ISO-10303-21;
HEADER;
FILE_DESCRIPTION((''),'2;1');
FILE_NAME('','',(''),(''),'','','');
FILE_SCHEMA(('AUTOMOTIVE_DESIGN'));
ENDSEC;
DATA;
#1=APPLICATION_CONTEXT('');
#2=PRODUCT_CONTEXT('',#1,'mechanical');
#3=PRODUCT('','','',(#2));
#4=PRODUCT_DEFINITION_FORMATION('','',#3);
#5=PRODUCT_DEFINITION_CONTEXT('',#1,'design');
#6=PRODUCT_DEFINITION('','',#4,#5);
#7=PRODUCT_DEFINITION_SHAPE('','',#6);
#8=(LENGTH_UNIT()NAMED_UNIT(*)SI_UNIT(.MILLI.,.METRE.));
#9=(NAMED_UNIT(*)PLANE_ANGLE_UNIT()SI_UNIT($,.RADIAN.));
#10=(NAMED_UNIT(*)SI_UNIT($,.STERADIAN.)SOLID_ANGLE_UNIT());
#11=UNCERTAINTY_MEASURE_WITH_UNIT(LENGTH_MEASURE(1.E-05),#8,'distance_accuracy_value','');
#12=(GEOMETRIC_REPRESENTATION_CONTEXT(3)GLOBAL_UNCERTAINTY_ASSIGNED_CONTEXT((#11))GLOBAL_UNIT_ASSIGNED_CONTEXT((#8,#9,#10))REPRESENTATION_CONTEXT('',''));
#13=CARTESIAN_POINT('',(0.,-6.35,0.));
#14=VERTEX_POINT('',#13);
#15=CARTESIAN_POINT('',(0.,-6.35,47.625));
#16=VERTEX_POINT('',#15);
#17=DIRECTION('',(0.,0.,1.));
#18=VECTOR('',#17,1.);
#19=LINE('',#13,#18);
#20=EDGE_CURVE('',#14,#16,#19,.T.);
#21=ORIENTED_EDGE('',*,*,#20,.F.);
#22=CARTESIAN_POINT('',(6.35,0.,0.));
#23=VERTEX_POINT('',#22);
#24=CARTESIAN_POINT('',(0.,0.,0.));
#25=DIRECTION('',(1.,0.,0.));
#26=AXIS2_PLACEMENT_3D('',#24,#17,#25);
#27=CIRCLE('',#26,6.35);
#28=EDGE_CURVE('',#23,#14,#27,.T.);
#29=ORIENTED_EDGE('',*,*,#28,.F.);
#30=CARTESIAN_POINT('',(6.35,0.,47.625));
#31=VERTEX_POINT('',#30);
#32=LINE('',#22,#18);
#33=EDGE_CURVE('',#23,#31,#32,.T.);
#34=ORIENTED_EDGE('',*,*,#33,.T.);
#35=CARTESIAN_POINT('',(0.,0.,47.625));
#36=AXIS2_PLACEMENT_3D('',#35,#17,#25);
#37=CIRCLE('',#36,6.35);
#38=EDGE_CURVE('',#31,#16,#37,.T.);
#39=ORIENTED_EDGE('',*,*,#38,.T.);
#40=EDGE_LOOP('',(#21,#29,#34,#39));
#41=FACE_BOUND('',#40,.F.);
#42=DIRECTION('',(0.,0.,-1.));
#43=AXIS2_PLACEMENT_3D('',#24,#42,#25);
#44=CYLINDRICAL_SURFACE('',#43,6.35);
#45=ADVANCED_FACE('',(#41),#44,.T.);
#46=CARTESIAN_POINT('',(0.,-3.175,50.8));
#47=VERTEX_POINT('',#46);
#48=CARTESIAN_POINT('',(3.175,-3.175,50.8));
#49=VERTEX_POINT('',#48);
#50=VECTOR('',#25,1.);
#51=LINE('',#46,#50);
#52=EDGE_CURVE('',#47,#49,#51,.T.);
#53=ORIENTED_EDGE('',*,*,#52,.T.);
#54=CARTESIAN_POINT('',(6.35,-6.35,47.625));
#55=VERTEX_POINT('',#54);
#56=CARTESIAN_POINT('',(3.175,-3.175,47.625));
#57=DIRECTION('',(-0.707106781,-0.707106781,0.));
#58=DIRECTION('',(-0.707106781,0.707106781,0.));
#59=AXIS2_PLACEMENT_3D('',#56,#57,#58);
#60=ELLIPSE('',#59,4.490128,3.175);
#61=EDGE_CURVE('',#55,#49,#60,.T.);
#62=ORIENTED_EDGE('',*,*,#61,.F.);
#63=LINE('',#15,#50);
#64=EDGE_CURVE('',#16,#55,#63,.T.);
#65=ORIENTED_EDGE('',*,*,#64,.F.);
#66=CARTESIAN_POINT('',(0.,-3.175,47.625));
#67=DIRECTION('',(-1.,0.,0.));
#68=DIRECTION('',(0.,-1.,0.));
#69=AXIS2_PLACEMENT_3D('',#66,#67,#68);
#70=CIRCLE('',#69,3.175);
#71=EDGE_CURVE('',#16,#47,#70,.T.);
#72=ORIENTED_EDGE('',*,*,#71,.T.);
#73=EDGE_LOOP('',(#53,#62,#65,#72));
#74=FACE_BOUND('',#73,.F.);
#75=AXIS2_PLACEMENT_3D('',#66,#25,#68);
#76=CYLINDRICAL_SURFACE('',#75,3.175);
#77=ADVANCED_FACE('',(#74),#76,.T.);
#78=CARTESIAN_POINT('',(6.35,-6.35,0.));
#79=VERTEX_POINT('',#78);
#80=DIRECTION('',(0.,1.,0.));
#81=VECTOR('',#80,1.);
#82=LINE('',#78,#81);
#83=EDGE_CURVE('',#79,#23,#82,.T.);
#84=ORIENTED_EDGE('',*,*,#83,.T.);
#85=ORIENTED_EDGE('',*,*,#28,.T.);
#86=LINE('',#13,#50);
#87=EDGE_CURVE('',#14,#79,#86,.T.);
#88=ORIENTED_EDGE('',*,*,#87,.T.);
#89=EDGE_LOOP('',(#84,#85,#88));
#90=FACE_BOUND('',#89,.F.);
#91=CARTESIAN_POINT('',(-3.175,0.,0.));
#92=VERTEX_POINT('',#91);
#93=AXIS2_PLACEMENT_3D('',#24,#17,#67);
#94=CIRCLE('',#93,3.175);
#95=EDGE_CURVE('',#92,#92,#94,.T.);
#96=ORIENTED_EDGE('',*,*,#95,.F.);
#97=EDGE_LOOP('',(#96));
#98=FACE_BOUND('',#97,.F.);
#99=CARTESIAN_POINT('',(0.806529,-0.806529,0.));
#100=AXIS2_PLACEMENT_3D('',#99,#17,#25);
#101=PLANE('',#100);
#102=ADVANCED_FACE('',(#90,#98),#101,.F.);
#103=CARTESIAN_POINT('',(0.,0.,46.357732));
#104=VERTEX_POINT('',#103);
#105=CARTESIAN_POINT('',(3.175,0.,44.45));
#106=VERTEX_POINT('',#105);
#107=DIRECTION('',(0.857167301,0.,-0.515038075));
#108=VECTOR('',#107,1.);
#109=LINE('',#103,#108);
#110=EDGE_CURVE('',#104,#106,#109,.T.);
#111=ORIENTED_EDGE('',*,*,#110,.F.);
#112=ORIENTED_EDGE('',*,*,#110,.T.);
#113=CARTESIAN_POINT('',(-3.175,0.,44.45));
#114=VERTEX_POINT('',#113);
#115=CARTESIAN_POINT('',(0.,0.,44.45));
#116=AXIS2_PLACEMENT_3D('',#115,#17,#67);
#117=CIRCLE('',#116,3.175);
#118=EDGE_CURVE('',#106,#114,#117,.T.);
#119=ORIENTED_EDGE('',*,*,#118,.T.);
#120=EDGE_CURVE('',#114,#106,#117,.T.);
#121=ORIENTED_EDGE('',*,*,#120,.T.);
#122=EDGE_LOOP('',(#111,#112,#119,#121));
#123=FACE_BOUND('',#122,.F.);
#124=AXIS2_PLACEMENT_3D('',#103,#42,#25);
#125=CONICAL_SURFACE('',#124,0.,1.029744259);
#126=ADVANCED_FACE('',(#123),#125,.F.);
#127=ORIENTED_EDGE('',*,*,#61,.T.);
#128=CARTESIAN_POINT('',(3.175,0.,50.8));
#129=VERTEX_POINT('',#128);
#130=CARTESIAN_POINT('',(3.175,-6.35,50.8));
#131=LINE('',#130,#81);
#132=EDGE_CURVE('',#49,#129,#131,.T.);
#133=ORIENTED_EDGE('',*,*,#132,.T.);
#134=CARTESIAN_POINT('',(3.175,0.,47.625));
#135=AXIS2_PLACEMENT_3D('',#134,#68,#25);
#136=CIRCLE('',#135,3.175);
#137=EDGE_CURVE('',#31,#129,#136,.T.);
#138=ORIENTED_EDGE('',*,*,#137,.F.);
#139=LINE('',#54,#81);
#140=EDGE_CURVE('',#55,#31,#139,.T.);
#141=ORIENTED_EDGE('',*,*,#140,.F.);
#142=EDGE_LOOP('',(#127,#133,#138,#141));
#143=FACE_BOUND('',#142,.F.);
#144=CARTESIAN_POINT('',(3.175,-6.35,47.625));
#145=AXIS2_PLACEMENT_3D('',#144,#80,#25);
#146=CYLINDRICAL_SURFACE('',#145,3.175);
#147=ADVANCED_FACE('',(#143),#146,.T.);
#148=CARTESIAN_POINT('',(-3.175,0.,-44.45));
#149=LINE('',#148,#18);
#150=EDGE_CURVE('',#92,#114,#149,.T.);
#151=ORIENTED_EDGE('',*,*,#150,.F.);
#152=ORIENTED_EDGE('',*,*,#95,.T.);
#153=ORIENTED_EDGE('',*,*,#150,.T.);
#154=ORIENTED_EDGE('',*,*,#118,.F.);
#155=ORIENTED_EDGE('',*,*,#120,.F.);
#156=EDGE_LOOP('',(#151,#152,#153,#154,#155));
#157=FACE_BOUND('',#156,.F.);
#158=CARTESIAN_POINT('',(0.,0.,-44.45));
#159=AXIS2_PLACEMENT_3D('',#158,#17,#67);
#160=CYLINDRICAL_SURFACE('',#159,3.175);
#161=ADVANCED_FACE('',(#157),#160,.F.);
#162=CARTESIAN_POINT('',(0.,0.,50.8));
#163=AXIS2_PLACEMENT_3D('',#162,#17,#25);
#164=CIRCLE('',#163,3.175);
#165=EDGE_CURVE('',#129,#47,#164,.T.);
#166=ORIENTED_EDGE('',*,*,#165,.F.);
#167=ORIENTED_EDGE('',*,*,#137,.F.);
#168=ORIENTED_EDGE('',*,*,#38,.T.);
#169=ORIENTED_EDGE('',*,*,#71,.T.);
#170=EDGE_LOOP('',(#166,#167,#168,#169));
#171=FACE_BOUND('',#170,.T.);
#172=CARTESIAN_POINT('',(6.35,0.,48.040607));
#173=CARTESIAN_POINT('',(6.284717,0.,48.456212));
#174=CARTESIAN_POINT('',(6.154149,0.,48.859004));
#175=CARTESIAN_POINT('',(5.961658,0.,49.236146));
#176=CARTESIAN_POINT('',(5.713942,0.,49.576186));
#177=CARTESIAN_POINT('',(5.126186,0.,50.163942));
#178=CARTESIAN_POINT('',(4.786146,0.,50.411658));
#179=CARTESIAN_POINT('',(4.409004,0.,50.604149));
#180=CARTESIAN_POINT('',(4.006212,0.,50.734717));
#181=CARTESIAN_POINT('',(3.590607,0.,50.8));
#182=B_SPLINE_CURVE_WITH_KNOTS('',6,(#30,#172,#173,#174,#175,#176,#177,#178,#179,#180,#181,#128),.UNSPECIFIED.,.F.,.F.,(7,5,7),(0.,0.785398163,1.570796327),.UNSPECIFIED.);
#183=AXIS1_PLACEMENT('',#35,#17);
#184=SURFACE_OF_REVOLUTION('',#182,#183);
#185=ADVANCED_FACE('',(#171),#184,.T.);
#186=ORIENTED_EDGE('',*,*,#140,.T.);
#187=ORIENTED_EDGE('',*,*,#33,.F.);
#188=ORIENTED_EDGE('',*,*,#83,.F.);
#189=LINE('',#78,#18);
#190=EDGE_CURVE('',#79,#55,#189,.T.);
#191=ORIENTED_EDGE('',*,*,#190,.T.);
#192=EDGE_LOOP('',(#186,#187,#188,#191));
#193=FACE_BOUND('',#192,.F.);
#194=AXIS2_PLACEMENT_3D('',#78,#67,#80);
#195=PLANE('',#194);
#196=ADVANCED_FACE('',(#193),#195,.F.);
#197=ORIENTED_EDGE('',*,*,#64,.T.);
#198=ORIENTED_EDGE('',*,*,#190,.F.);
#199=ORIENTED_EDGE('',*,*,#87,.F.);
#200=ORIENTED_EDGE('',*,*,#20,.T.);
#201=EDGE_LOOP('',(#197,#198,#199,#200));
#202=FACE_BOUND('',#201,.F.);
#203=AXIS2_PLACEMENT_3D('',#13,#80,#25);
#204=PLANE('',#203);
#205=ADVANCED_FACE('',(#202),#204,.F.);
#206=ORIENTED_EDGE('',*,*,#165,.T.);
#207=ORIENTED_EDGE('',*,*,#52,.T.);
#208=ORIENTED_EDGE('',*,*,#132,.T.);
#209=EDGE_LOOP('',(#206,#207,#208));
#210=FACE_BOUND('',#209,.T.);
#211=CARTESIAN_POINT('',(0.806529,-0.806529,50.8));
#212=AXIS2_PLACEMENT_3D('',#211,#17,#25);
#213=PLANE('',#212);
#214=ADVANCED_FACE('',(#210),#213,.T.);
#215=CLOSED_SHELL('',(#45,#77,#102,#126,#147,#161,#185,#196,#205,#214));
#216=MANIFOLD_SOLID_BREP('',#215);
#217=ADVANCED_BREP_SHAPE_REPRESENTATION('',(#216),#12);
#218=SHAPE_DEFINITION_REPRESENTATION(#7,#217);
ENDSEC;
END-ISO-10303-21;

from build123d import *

# Parameters (mm, degrees)
F1_DEPTH = 50.8
F2_R     = 3.175
F3_D     = 6.35
F3_DEPTH = 44.45
F3_TIP   = 1.9077324654


with BuildPart() as f1:
    # F0 (on Top) → F1 (new body)
    with BuildSketch(Plane.XY):
        with BuildLine():
            Line((6.35, -6.35), (6.35, 0))
            ThreePointArc((6.35, 0), (-4.4901280605, 4.4901280605), (0, -6.35))
            Line((0, -6.35), (6.35, -6.35))
        make_face()
    extrude(amount=F1_DEPTH)

    # F2
    f2_edges = [f1.edges().sort_by_distance(p)[0] for p in [
        (3.175, -6.35, 50.8),
        (6.35, -3.175, 50.8),
        (-4.490128, 4.490128, 50.8),
    ]]
    fillet(f2_edges, radius=F2_R)

    # F3
    with Locations(Plane(origin=(0, 0, 0), x_dir=(1, 0, 0), z_dir=(0, 0, -1))):
        with Locations((0, 0)):
            Hole(F3_D / 2, depth=F3_DEPTH)
            with Locations((0, 0, -(F3_DEPTH + F3_TIP / 2))):  # 118° drill point
                Cone(0, F3_D / 2, F3_TIP, mode=Mode.SUBTRACT)


solid = f1.part
